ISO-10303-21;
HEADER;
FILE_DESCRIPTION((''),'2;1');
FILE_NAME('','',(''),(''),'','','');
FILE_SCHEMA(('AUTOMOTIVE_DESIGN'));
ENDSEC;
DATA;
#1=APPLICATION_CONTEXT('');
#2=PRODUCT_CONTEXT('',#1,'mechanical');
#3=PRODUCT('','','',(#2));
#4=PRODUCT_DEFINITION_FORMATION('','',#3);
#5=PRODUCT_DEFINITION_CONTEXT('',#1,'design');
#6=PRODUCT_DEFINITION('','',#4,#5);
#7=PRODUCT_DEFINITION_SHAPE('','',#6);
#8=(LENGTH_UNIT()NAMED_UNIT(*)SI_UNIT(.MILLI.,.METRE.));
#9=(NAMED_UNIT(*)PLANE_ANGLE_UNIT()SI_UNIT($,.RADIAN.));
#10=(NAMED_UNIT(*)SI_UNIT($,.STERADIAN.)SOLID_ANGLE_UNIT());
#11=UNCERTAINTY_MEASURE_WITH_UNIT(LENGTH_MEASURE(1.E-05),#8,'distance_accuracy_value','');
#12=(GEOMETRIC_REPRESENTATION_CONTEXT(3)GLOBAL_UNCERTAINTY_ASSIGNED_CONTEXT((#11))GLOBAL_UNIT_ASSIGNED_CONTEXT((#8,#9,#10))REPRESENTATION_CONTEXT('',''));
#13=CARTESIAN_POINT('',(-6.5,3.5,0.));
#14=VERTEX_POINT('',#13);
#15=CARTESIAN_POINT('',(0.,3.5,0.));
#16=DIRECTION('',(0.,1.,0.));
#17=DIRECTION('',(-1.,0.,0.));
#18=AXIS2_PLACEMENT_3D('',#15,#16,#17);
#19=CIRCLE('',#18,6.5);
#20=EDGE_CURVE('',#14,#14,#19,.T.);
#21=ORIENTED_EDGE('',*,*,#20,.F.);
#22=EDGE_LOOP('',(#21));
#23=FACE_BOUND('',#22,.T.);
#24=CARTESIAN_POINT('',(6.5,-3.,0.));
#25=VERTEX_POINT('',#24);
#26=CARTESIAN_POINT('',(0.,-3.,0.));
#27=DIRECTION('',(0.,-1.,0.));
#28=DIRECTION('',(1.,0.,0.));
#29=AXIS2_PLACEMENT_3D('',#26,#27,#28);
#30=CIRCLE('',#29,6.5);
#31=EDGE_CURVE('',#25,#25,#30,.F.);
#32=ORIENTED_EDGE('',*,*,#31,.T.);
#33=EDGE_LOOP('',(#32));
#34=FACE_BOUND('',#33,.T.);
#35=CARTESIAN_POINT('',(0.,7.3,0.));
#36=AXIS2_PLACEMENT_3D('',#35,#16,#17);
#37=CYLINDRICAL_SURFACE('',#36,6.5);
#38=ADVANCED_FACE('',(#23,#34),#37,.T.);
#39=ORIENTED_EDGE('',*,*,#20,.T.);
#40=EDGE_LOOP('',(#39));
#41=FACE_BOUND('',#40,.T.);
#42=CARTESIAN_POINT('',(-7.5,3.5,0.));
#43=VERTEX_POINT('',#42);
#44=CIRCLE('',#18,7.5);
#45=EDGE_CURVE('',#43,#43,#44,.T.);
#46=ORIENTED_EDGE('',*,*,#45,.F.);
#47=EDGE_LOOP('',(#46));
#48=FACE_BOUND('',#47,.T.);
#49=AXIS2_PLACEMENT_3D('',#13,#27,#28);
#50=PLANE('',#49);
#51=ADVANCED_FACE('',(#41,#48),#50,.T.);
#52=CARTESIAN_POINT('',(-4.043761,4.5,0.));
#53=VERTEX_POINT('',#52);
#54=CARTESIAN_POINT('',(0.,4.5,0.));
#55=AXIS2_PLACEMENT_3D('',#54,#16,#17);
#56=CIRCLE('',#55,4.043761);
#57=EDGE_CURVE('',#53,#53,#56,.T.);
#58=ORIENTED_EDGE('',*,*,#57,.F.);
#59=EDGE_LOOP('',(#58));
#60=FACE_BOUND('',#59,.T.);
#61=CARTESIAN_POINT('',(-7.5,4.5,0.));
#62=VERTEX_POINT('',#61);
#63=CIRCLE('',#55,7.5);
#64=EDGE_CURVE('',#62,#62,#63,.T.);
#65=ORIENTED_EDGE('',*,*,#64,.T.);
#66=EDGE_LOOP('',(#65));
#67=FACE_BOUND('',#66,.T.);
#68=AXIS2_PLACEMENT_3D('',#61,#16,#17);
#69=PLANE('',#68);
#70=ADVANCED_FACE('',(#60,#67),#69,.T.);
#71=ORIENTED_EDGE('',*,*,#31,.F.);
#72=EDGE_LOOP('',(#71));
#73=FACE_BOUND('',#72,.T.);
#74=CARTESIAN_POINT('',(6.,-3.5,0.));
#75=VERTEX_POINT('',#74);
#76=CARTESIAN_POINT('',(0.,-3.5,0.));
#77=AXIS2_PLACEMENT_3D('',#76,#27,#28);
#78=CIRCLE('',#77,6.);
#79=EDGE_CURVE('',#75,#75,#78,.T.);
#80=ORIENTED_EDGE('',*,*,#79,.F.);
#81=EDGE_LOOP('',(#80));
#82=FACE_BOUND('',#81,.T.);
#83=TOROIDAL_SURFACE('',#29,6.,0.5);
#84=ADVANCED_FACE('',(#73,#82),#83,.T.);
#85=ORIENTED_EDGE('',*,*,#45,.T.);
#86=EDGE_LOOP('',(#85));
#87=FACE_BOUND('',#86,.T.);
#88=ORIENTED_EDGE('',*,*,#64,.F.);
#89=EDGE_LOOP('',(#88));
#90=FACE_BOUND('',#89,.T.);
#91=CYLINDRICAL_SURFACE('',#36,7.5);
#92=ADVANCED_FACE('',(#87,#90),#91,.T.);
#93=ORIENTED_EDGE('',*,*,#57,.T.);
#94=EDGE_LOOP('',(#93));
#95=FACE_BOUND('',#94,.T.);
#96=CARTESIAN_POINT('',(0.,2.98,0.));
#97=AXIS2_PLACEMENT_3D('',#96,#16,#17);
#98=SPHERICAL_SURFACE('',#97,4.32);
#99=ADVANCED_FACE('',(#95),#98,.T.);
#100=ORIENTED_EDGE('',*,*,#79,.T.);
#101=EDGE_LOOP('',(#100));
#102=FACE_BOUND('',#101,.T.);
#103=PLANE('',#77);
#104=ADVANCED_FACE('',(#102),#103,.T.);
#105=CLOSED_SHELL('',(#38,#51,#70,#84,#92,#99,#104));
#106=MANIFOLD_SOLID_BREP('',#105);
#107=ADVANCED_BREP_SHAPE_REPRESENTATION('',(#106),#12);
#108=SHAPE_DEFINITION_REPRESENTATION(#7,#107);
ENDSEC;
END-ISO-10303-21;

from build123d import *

# Parameters (mm, degrees)
FILLET1_R = 0.5


with BuildPart() as part:
    # Sketch1 → Revolve2 (revolve)
    with BuildSketch(Plane.XY):
        with BuildLine():
            Line((-6.5, 3.5), (-7.5, 3.5))
            Line((-7.5, 3.5), (-7.5, 4.5))
            Line((-7.5, 4.5), (-4.043760626, 4.5))
            ThreePointArc((-4.043760626, 4.5), (-2.459268184, 6.531675661), (0, 7.3))
            Line((0, 7.3), (0, -3.5))
            Line((0, -3.5), (-6.5, -3.5))
            Line((-6.5, -3.5), (-6.5, 3.5))
        make_face()
    revolve(axis=Axis((0, 7.3, 0), (0, -1, 0)))

    # Fillet1
    fillet1_edges = [part.edges().sort_by_distance(p)[0] for p in [
        (6.5, -3.5, 0),
    ]]
    fillet(fillet1_edges, radius=FILLET1_R)


solid = part.part
